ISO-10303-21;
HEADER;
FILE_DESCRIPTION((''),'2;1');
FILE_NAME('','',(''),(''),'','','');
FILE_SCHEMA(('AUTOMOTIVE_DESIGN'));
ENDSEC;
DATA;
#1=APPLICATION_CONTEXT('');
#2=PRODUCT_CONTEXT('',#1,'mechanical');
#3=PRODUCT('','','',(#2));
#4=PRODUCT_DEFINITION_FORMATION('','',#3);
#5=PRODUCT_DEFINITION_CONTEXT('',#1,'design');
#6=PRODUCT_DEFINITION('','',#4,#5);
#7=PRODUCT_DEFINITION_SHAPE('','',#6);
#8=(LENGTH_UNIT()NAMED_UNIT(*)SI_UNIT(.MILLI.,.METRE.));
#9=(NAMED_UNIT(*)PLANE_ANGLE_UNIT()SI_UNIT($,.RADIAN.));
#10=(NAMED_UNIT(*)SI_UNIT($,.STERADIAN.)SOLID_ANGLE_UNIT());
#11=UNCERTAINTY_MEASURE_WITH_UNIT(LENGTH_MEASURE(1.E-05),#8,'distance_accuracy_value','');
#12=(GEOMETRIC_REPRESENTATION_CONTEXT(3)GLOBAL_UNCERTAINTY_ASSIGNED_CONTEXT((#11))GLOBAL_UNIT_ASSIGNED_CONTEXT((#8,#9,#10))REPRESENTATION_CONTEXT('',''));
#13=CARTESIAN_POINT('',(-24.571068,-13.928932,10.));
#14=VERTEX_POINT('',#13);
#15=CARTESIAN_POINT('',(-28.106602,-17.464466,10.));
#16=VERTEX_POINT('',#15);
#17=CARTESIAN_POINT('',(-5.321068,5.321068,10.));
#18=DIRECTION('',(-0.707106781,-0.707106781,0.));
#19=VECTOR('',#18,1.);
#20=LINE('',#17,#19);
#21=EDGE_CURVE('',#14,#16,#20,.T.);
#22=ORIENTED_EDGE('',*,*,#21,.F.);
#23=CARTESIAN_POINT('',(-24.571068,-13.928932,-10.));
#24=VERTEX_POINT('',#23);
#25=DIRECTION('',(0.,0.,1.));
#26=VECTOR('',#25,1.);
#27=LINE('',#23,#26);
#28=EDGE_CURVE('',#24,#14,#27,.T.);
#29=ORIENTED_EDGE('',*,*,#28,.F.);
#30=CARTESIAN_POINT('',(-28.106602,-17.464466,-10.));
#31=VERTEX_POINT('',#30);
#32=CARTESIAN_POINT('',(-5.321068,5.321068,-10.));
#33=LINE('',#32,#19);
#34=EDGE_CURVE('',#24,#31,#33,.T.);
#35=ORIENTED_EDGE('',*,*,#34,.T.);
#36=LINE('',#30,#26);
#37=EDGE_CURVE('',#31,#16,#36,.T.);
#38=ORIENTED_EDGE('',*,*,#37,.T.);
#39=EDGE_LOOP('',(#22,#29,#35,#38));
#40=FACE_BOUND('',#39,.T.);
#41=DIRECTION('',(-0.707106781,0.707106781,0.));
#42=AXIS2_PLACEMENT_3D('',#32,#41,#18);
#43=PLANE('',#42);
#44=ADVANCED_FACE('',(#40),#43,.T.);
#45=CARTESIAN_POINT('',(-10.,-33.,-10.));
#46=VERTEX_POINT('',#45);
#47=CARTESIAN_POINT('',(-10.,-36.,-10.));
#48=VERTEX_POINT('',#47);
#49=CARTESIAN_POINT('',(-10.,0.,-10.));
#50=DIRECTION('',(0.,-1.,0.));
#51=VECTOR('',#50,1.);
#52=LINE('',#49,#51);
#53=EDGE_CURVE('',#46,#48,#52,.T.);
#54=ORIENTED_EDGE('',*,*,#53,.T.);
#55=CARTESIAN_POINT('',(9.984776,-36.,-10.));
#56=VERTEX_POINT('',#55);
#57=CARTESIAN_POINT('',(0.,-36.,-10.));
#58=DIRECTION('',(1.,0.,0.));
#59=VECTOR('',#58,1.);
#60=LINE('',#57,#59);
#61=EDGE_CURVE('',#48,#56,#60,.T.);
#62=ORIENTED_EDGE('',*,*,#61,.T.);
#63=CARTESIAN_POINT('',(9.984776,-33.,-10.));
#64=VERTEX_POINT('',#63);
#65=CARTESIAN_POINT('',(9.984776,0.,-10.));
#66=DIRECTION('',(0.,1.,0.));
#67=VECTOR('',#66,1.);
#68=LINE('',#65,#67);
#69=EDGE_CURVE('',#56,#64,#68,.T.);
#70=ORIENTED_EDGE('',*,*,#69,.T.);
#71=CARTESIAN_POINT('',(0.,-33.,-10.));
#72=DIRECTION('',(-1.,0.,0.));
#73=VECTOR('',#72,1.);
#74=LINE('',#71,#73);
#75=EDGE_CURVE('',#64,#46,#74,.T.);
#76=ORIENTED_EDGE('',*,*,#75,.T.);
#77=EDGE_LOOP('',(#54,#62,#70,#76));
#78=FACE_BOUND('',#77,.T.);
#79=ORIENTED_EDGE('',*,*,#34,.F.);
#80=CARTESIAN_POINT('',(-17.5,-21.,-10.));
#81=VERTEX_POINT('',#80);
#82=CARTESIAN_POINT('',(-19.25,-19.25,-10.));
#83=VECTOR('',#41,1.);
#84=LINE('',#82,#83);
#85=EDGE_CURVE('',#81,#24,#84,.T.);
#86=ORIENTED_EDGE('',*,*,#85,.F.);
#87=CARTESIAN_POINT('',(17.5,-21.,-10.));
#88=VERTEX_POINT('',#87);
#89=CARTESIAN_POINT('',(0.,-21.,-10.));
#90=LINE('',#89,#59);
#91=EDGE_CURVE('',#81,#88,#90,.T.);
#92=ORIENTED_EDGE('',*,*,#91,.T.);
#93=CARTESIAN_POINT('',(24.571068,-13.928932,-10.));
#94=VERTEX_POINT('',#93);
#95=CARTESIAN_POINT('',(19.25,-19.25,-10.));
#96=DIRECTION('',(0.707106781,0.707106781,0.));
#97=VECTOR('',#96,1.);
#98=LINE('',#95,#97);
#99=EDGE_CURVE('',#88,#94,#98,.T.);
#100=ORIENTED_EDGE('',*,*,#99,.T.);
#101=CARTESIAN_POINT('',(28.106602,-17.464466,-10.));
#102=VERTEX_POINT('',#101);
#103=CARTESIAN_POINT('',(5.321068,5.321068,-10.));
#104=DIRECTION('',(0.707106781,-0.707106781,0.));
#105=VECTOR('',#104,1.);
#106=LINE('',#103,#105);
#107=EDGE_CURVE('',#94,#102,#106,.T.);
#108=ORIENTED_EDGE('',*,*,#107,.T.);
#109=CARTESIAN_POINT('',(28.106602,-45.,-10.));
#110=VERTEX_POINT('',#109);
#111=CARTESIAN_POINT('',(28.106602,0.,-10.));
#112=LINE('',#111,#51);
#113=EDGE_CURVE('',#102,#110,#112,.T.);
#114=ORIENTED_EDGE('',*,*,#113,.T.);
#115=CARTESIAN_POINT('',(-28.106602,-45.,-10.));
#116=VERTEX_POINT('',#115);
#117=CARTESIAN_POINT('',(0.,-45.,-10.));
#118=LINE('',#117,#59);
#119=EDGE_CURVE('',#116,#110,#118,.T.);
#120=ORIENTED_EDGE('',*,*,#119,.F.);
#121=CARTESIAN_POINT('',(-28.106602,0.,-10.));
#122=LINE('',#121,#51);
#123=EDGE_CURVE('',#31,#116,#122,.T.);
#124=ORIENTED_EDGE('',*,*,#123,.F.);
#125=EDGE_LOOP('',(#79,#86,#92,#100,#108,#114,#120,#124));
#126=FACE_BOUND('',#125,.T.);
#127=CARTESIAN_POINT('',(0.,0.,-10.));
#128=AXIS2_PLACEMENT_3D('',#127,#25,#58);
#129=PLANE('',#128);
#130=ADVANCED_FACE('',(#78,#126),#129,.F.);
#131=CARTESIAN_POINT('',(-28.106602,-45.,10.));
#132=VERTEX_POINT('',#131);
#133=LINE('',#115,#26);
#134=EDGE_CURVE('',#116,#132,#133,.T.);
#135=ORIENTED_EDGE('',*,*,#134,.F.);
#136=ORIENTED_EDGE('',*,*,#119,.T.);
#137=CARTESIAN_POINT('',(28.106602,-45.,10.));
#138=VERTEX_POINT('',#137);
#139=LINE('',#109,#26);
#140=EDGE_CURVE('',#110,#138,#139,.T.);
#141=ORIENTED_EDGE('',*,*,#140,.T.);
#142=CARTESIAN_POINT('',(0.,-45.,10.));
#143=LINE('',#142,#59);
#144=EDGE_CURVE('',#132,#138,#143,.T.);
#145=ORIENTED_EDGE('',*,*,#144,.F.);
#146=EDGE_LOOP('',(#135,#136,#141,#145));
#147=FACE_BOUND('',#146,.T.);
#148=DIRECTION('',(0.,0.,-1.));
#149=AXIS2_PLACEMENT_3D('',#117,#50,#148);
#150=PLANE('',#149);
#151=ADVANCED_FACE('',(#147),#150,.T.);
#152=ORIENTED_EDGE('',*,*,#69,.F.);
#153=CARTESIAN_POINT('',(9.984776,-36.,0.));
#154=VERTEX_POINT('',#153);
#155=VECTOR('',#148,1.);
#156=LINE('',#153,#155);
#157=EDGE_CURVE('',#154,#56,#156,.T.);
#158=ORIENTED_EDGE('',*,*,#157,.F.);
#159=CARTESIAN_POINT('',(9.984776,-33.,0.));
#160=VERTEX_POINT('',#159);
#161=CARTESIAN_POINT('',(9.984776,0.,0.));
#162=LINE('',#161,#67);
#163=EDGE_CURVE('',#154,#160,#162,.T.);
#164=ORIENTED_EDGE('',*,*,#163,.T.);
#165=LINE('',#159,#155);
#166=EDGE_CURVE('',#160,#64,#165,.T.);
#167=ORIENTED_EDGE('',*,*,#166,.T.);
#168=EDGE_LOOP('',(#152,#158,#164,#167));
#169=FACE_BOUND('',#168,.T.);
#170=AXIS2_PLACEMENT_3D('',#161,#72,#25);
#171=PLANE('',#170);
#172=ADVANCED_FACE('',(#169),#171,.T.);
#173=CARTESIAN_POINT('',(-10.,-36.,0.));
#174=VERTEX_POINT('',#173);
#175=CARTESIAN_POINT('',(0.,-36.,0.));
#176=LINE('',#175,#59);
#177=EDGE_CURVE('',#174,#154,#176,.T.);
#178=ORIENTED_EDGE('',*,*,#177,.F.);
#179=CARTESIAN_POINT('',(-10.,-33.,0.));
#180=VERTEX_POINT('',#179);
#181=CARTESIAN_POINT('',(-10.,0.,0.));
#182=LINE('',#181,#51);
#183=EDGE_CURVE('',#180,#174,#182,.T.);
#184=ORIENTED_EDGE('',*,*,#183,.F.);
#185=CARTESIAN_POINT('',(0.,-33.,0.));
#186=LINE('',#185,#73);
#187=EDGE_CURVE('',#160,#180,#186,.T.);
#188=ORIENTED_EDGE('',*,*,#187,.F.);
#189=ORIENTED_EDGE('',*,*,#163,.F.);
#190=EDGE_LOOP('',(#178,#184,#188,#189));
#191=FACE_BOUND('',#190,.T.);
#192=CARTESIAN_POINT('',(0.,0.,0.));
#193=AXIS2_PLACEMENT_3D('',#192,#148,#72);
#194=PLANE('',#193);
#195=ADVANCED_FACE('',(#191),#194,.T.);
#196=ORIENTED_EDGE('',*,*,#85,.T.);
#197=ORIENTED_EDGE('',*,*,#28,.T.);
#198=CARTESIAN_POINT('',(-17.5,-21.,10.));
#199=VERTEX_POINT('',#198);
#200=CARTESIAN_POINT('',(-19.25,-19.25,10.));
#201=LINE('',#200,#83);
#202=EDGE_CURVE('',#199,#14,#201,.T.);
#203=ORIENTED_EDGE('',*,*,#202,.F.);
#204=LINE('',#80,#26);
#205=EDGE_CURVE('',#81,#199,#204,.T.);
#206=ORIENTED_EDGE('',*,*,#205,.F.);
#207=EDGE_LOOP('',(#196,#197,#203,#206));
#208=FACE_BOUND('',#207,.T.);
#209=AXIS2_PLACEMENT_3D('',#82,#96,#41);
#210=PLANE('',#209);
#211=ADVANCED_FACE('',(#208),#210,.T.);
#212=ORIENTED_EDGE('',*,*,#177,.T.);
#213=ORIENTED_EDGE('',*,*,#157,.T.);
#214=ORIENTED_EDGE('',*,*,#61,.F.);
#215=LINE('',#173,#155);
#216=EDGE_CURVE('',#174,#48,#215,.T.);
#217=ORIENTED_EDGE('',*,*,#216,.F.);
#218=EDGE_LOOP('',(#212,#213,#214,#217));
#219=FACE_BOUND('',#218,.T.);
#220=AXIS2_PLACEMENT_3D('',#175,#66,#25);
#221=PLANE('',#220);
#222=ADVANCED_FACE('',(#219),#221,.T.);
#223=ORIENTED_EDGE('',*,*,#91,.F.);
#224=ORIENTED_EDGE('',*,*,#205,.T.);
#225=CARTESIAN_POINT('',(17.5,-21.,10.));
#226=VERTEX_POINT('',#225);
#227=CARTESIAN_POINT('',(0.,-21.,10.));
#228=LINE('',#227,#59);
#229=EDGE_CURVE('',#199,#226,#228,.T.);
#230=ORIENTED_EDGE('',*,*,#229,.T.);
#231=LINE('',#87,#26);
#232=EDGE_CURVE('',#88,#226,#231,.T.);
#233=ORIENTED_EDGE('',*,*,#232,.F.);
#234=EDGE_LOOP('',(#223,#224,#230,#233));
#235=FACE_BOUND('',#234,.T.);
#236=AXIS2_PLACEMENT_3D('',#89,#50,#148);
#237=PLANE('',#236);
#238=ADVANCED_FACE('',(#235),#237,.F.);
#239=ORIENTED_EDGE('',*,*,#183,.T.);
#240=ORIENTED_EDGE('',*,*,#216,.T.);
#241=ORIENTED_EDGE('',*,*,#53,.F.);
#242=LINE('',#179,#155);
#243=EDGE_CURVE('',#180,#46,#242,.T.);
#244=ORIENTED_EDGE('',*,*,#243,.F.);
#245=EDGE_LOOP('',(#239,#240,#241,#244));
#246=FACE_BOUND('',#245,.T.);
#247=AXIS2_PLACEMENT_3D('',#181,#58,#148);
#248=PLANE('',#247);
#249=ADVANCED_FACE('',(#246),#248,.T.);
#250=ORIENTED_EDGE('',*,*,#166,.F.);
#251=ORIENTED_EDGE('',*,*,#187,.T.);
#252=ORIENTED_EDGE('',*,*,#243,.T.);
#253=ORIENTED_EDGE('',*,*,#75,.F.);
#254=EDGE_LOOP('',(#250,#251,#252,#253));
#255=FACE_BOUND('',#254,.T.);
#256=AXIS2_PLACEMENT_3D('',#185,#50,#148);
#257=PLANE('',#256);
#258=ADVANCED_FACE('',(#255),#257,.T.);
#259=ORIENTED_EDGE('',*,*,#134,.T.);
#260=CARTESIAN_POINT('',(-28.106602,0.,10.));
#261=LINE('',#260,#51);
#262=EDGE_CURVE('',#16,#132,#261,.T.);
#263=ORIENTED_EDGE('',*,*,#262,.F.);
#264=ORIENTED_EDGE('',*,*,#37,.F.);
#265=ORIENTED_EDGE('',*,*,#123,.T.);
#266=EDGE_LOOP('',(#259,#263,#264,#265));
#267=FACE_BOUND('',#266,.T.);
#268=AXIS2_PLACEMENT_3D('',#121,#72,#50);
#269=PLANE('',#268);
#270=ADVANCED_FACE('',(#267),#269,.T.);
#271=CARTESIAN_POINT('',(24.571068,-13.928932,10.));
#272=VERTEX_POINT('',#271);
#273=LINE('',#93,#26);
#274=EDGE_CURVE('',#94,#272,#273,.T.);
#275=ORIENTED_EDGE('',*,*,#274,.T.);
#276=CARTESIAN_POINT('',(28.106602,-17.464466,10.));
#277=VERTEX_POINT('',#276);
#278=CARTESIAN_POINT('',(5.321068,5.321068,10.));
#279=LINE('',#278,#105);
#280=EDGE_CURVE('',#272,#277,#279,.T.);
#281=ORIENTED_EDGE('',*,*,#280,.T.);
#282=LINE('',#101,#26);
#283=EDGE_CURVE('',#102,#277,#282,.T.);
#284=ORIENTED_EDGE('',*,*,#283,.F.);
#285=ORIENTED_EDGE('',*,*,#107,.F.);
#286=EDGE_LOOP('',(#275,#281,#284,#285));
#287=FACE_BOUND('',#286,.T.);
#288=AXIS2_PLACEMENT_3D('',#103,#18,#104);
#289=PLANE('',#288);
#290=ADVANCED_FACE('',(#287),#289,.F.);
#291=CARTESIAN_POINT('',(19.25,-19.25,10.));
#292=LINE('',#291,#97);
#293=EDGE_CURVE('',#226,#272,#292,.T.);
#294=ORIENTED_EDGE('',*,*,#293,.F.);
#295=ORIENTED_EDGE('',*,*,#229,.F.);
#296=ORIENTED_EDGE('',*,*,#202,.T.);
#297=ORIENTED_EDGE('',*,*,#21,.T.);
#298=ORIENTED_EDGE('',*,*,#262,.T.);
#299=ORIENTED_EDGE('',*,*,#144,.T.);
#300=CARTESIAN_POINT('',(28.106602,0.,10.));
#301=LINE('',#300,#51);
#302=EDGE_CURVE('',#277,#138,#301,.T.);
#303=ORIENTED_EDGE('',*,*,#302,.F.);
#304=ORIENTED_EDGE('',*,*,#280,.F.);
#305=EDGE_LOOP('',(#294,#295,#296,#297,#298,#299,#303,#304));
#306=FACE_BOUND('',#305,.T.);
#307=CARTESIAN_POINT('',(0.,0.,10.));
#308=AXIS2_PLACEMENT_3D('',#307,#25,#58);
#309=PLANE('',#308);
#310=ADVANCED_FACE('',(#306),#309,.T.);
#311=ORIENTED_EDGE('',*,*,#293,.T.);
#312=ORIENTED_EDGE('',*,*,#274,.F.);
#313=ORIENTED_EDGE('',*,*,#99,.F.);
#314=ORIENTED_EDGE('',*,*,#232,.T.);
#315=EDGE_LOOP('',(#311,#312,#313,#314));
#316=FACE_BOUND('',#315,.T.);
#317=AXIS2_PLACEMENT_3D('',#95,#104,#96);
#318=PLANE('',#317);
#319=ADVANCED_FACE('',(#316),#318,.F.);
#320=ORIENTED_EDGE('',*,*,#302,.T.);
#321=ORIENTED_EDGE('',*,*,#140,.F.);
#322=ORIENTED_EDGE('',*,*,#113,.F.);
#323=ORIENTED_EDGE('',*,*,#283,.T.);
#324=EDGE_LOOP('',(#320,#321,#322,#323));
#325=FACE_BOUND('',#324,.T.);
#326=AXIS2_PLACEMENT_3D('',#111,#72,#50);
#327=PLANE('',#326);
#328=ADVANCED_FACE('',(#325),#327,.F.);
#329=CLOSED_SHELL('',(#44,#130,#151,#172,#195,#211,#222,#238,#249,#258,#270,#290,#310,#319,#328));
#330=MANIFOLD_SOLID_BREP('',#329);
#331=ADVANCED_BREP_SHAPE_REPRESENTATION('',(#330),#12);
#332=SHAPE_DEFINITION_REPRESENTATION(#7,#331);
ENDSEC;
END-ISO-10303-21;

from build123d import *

# Parameters (mm, degrees)
BOSS_EXTRUDE1_DEPTH      = 10
BOSS_EXTRUDE1_DEPTH_BACK = 10
SKETCH3_W                = 19.984775587
SKETCH3_H                = 3
CUT_EXTRUDE1_DEPTH       = 10


with BuildPart() as part:
    # Sketch2 → Boss-Extrude1 (new, two sides: drawn at the far end of the back side and taken through both)
    with BuildSketch(Plane.XY.offset(-BOSS_EXTRUDE1_DEPTH_BACK)):
        Polygon((28.106601718, -45), (28.106601718, -17.464466094), (24.571067812, -13.928932188), (17.5, -21), (-17.5, -21), (-24.571067812, -13.928932188), (-28.106601718, -17.464466094), (-28.106601718, -45), align=None)
    extrude(amount=BOSS_EXTRUDE1_DEPTH + BOSS_EXTRUDE1_DEPTH_BACK)

    # Sketch3 → Cut-Extrude1 (cut)
    with BuildSketch(Plane(origin=(0, 0, -10), x_dir=(-1, 0, 0), z_dir=(0, 0, -1))):
        with Locations((0.007612206, -34.5)):
            Rectangle(SKETCH3_W, SKETCH3_H)
    extrude(amount=-CUT_EXTRUDE1_DEPTH, mode=Mode.SUBTRACT)


solid = part.part
